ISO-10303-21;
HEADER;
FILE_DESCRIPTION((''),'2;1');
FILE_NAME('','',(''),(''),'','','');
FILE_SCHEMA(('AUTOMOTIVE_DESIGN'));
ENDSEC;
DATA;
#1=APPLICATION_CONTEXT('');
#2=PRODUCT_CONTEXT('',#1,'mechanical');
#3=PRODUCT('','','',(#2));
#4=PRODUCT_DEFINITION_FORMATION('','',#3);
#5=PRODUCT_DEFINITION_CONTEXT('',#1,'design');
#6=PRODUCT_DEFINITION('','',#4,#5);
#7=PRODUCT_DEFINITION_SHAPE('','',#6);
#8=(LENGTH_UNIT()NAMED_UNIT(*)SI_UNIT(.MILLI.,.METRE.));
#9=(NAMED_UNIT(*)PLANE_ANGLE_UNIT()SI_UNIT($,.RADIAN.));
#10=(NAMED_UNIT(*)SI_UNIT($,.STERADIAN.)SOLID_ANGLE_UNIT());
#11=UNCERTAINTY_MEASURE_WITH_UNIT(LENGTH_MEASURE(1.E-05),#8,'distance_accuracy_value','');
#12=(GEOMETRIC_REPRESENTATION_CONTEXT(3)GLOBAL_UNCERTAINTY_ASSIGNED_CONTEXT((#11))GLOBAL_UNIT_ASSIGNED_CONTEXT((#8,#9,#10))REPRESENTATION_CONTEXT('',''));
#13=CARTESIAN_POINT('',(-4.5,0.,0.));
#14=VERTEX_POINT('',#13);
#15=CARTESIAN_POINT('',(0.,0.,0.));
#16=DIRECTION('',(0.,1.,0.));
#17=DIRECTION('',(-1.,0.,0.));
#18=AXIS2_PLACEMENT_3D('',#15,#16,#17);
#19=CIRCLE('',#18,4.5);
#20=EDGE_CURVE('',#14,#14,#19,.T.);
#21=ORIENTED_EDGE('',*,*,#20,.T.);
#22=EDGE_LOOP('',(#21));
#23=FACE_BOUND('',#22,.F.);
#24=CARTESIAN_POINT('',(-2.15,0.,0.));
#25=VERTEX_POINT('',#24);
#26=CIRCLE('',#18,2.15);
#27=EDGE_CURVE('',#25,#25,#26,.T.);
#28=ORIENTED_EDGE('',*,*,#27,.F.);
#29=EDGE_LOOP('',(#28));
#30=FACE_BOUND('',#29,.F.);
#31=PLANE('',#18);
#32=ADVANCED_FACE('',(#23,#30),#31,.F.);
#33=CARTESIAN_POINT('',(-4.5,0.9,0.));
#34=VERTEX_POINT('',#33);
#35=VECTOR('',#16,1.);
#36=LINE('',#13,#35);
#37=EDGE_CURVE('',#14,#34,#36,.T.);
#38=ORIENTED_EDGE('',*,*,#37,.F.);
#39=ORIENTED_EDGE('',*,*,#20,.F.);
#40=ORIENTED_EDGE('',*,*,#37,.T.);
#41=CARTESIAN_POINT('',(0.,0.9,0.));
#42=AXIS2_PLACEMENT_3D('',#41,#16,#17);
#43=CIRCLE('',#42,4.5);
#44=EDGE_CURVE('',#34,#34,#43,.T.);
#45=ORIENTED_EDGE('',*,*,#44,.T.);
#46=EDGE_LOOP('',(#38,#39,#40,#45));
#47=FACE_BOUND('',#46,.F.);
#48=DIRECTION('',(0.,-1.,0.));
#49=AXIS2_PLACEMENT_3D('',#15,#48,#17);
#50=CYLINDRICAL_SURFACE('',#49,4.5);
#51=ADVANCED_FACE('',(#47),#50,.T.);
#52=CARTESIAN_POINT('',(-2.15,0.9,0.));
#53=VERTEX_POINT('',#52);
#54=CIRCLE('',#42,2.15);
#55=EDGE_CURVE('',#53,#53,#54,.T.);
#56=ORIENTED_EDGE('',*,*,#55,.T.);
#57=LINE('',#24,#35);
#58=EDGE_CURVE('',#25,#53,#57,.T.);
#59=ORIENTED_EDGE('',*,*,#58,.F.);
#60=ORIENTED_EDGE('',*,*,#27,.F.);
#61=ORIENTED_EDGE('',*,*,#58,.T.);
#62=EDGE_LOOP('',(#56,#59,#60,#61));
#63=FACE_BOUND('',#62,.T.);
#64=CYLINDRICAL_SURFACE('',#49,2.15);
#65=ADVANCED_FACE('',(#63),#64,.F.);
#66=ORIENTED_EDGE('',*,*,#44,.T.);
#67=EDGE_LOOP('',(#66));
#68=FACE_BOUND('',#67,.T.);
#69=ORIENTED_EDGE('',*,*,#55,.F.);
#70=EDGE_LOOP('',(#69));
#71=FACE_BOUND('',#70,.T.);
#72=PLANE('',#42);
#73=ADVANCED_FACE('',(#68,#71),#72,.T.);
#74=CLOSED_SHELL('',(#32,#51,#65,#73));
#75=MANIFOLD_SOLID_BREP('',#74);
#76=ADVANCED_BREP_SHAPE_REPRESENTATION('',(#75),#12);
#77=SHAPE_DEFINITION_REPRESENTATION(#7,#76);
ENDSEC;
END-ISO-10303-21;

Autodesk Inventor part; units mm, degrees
ref_plane "YZ Plane" through (0, 0, 0) normal (1, 0, 0) x (0, 1, 0)
ref_plane "XZ Plane" through (0, 0, 0) normal (0, 1, 0) x (-1, 0, 0)
ref_plane "XY Plane" through (0, 0, 0) normal (0, 0, 1) x (1, 0, 0)
sketch "Sketch1" plane through (0, 0, 0) normal (0, 1, 0) x (-1, 0, 0)
  circle A0 centre (0, 0) radius 4.5
  circle A1 centre (0, 0) radius 2.15
  dimension "d0" = 9
  dimension "d1" = 4.3
extrude "Extrusion1" add sketch "Sketch1" along normal blind 0.9
properties part number "washer9mm" material "Stainless Steel"
